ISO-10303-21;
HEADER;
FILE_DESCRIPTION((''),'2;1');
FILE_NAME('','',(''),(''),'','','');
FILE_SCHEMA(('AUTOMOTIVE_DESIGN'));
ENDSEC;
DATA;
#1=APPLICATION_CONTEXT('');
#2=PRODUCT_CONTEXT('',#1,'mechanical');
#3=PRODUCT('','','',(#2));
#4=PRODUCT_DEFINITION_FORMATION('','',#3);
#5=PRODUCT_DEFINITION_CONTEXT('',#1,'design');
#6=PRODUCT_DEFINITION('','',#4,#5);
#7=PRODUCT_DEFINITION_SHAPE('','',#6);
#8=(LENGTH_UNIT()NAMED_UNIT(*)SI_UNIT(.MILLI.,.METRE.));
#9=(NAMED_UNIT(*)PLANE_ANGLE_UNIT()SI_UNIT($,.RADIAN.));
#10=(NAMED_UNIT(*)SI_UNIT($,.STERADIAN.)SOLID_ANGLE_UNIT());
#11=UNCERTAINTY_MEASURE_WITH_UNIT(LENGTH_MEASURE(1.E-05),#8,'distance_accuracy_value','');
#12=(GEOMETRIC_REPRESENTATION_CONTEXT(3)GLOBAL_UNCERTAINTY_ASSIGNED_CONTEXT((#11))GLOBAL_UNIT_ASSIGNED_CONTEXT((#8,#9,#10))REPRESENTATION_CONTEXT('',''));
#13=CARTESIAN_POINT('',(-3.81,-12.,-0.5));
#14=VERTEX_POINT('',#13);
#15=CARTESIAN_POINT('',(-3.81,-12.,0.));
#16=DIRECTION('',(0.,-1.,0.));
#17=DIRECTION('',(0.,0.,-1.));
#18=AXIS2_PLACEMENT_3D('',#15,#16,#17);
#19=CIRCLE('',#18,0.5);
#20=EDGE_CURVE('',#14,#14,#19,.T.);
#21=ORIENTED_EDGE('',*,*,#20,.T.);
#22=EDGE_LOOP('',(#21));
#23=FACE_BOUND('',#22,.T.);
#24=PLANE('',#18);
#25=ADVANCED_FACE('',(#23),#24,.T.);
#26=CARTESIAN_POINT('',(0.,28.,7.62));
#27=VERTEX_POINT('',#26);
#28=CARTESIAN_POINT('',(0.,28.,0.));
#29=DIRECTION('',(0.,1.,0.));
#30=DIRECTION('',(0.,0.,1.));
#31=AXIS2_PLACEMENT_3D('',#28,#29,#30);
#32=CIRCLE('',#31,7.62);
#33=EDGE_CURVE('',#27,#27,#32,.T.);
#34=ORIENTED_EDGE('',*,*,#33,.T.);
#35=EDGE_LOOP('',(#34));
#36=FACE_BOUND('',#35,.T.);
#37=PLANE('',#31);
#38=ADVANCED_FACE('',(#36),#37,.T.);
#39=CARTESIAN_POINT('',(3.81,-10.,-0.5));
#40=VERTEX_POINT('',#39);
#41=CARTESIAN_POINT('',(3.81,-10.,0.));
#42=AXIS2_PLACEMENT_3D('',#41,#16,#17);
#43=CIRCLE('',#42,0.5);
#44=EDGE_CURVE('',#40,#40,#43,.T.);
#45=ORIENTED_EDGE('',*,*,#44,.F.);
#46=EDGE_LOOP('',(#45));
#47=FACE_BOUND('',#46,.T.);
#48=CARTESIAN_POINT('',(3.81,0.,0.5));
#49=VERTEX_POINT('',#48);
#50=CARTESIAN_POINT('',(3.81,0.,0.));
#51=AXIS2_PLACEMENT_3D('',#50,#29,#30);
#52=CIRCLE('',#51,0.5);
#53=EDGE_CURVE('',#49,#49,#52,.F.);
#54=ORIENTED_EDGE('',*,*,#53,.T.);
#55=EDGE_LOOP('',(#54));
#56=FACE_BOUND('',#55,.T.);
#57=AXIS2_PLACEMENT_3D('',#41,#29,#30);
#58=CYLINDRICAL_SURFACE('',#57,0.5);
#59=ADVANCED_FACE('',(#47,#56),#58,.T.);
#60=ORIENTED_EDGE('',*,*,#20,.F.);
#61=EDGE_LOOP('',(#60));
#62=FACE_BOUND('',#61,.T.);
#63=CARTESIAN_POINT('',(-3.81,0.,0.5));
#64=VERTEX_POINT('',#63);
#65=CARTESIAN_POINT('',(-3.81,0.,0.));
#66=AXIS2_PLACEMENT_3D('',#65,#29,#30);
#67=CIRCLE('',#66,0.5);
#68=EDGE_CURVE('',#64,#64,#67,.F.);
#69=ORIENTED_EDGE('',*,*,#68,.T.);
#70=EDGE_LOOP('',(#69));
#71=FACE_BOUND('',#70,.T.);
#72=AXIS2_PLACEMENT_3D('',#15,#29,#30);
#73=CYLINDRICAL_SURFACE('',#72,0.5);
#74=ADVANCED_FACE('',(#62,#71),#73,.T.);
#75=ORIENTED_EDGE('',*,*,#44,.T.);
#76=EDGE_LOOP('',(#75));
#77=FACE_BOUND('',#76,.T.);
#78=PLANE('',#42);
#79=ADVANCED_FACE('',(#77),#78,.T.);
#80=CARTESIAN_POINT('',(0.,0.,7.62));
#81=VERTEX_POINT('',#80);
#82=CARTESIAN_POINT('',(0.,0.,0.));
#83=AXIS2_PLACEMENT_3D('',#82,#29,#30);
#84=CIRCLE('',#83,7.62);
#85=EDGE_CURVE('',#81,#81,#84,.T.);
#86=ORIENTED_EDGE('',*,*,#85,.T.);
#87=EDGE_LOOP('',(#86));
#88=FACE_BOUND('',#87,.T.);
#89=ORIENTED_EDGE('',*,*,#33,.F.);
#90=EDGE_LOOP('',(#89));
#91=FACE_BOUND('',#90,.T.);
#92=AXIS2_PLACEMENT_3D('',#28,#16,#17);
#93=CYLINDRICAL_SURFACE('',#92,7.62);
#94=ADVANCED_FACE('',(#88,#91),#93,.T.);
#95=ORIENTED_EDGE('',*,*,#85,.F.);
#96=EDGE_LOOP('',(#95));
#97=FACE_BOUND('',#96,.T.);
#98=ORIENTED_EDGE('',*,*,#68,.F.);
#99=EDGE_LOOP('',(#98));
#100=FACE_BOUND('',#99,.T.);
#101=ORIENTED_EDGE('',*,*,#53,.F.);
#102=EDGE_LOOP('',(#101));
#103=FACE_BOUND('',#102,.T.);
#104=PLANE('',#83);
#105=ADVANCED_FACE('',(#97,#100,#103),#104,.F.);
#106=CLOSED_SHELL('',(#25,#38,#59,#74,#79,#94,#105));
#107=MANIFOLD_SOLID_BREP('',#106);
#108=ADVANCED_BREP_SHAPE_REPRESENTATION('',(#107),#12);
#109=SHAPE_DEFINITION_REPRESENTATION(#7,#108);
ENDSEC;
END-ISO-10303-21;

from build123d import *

# Parameters (mm, degrees)
SKETCH_1_R      = 7.62
EXTRUDE_1_DEPTH = 28
SKETCH_2_R      = 0.5
EXTRUDE_2_DEPTH = 12
SKETCH_3_R      = 0.5
EXTRUDE_3_DEPTH = 10


with BuildPart() as part:
    # 草图1 → 拉伸1 (new body)
    with BuildSketch(Plane(origin=(0, 0, 0), x_dir=(1, 0, 0), z_dir=(0, 1, 0))):
        with Locations(Location((0, 0, 0), (0, 0, 270))):
            Circle(SKETCH_1_R)
    extrude(amount=EXTRUDE_1_DEPTH)

    # 草图2 → 拉伸2 (add)
    with BuildSketch(Plane.XZ):
        with Locations(Location((-3.81, 0, 0), (0, 0, 90))):
            Circle(SKETCH_2_R)
    extrude(amount=EXTRUDE_2_DEPTH)

    # 草图3 → 拉伸3 (add)
    with BuildSketch(Plane.XZ):
        with Locations(Location((3.81, 0, 0), (0, 0, 90))):
            Circle(SKETCH_3_R)
    extrude(amount=EXTRUDE_3_DEPTH)


solid = part.part
